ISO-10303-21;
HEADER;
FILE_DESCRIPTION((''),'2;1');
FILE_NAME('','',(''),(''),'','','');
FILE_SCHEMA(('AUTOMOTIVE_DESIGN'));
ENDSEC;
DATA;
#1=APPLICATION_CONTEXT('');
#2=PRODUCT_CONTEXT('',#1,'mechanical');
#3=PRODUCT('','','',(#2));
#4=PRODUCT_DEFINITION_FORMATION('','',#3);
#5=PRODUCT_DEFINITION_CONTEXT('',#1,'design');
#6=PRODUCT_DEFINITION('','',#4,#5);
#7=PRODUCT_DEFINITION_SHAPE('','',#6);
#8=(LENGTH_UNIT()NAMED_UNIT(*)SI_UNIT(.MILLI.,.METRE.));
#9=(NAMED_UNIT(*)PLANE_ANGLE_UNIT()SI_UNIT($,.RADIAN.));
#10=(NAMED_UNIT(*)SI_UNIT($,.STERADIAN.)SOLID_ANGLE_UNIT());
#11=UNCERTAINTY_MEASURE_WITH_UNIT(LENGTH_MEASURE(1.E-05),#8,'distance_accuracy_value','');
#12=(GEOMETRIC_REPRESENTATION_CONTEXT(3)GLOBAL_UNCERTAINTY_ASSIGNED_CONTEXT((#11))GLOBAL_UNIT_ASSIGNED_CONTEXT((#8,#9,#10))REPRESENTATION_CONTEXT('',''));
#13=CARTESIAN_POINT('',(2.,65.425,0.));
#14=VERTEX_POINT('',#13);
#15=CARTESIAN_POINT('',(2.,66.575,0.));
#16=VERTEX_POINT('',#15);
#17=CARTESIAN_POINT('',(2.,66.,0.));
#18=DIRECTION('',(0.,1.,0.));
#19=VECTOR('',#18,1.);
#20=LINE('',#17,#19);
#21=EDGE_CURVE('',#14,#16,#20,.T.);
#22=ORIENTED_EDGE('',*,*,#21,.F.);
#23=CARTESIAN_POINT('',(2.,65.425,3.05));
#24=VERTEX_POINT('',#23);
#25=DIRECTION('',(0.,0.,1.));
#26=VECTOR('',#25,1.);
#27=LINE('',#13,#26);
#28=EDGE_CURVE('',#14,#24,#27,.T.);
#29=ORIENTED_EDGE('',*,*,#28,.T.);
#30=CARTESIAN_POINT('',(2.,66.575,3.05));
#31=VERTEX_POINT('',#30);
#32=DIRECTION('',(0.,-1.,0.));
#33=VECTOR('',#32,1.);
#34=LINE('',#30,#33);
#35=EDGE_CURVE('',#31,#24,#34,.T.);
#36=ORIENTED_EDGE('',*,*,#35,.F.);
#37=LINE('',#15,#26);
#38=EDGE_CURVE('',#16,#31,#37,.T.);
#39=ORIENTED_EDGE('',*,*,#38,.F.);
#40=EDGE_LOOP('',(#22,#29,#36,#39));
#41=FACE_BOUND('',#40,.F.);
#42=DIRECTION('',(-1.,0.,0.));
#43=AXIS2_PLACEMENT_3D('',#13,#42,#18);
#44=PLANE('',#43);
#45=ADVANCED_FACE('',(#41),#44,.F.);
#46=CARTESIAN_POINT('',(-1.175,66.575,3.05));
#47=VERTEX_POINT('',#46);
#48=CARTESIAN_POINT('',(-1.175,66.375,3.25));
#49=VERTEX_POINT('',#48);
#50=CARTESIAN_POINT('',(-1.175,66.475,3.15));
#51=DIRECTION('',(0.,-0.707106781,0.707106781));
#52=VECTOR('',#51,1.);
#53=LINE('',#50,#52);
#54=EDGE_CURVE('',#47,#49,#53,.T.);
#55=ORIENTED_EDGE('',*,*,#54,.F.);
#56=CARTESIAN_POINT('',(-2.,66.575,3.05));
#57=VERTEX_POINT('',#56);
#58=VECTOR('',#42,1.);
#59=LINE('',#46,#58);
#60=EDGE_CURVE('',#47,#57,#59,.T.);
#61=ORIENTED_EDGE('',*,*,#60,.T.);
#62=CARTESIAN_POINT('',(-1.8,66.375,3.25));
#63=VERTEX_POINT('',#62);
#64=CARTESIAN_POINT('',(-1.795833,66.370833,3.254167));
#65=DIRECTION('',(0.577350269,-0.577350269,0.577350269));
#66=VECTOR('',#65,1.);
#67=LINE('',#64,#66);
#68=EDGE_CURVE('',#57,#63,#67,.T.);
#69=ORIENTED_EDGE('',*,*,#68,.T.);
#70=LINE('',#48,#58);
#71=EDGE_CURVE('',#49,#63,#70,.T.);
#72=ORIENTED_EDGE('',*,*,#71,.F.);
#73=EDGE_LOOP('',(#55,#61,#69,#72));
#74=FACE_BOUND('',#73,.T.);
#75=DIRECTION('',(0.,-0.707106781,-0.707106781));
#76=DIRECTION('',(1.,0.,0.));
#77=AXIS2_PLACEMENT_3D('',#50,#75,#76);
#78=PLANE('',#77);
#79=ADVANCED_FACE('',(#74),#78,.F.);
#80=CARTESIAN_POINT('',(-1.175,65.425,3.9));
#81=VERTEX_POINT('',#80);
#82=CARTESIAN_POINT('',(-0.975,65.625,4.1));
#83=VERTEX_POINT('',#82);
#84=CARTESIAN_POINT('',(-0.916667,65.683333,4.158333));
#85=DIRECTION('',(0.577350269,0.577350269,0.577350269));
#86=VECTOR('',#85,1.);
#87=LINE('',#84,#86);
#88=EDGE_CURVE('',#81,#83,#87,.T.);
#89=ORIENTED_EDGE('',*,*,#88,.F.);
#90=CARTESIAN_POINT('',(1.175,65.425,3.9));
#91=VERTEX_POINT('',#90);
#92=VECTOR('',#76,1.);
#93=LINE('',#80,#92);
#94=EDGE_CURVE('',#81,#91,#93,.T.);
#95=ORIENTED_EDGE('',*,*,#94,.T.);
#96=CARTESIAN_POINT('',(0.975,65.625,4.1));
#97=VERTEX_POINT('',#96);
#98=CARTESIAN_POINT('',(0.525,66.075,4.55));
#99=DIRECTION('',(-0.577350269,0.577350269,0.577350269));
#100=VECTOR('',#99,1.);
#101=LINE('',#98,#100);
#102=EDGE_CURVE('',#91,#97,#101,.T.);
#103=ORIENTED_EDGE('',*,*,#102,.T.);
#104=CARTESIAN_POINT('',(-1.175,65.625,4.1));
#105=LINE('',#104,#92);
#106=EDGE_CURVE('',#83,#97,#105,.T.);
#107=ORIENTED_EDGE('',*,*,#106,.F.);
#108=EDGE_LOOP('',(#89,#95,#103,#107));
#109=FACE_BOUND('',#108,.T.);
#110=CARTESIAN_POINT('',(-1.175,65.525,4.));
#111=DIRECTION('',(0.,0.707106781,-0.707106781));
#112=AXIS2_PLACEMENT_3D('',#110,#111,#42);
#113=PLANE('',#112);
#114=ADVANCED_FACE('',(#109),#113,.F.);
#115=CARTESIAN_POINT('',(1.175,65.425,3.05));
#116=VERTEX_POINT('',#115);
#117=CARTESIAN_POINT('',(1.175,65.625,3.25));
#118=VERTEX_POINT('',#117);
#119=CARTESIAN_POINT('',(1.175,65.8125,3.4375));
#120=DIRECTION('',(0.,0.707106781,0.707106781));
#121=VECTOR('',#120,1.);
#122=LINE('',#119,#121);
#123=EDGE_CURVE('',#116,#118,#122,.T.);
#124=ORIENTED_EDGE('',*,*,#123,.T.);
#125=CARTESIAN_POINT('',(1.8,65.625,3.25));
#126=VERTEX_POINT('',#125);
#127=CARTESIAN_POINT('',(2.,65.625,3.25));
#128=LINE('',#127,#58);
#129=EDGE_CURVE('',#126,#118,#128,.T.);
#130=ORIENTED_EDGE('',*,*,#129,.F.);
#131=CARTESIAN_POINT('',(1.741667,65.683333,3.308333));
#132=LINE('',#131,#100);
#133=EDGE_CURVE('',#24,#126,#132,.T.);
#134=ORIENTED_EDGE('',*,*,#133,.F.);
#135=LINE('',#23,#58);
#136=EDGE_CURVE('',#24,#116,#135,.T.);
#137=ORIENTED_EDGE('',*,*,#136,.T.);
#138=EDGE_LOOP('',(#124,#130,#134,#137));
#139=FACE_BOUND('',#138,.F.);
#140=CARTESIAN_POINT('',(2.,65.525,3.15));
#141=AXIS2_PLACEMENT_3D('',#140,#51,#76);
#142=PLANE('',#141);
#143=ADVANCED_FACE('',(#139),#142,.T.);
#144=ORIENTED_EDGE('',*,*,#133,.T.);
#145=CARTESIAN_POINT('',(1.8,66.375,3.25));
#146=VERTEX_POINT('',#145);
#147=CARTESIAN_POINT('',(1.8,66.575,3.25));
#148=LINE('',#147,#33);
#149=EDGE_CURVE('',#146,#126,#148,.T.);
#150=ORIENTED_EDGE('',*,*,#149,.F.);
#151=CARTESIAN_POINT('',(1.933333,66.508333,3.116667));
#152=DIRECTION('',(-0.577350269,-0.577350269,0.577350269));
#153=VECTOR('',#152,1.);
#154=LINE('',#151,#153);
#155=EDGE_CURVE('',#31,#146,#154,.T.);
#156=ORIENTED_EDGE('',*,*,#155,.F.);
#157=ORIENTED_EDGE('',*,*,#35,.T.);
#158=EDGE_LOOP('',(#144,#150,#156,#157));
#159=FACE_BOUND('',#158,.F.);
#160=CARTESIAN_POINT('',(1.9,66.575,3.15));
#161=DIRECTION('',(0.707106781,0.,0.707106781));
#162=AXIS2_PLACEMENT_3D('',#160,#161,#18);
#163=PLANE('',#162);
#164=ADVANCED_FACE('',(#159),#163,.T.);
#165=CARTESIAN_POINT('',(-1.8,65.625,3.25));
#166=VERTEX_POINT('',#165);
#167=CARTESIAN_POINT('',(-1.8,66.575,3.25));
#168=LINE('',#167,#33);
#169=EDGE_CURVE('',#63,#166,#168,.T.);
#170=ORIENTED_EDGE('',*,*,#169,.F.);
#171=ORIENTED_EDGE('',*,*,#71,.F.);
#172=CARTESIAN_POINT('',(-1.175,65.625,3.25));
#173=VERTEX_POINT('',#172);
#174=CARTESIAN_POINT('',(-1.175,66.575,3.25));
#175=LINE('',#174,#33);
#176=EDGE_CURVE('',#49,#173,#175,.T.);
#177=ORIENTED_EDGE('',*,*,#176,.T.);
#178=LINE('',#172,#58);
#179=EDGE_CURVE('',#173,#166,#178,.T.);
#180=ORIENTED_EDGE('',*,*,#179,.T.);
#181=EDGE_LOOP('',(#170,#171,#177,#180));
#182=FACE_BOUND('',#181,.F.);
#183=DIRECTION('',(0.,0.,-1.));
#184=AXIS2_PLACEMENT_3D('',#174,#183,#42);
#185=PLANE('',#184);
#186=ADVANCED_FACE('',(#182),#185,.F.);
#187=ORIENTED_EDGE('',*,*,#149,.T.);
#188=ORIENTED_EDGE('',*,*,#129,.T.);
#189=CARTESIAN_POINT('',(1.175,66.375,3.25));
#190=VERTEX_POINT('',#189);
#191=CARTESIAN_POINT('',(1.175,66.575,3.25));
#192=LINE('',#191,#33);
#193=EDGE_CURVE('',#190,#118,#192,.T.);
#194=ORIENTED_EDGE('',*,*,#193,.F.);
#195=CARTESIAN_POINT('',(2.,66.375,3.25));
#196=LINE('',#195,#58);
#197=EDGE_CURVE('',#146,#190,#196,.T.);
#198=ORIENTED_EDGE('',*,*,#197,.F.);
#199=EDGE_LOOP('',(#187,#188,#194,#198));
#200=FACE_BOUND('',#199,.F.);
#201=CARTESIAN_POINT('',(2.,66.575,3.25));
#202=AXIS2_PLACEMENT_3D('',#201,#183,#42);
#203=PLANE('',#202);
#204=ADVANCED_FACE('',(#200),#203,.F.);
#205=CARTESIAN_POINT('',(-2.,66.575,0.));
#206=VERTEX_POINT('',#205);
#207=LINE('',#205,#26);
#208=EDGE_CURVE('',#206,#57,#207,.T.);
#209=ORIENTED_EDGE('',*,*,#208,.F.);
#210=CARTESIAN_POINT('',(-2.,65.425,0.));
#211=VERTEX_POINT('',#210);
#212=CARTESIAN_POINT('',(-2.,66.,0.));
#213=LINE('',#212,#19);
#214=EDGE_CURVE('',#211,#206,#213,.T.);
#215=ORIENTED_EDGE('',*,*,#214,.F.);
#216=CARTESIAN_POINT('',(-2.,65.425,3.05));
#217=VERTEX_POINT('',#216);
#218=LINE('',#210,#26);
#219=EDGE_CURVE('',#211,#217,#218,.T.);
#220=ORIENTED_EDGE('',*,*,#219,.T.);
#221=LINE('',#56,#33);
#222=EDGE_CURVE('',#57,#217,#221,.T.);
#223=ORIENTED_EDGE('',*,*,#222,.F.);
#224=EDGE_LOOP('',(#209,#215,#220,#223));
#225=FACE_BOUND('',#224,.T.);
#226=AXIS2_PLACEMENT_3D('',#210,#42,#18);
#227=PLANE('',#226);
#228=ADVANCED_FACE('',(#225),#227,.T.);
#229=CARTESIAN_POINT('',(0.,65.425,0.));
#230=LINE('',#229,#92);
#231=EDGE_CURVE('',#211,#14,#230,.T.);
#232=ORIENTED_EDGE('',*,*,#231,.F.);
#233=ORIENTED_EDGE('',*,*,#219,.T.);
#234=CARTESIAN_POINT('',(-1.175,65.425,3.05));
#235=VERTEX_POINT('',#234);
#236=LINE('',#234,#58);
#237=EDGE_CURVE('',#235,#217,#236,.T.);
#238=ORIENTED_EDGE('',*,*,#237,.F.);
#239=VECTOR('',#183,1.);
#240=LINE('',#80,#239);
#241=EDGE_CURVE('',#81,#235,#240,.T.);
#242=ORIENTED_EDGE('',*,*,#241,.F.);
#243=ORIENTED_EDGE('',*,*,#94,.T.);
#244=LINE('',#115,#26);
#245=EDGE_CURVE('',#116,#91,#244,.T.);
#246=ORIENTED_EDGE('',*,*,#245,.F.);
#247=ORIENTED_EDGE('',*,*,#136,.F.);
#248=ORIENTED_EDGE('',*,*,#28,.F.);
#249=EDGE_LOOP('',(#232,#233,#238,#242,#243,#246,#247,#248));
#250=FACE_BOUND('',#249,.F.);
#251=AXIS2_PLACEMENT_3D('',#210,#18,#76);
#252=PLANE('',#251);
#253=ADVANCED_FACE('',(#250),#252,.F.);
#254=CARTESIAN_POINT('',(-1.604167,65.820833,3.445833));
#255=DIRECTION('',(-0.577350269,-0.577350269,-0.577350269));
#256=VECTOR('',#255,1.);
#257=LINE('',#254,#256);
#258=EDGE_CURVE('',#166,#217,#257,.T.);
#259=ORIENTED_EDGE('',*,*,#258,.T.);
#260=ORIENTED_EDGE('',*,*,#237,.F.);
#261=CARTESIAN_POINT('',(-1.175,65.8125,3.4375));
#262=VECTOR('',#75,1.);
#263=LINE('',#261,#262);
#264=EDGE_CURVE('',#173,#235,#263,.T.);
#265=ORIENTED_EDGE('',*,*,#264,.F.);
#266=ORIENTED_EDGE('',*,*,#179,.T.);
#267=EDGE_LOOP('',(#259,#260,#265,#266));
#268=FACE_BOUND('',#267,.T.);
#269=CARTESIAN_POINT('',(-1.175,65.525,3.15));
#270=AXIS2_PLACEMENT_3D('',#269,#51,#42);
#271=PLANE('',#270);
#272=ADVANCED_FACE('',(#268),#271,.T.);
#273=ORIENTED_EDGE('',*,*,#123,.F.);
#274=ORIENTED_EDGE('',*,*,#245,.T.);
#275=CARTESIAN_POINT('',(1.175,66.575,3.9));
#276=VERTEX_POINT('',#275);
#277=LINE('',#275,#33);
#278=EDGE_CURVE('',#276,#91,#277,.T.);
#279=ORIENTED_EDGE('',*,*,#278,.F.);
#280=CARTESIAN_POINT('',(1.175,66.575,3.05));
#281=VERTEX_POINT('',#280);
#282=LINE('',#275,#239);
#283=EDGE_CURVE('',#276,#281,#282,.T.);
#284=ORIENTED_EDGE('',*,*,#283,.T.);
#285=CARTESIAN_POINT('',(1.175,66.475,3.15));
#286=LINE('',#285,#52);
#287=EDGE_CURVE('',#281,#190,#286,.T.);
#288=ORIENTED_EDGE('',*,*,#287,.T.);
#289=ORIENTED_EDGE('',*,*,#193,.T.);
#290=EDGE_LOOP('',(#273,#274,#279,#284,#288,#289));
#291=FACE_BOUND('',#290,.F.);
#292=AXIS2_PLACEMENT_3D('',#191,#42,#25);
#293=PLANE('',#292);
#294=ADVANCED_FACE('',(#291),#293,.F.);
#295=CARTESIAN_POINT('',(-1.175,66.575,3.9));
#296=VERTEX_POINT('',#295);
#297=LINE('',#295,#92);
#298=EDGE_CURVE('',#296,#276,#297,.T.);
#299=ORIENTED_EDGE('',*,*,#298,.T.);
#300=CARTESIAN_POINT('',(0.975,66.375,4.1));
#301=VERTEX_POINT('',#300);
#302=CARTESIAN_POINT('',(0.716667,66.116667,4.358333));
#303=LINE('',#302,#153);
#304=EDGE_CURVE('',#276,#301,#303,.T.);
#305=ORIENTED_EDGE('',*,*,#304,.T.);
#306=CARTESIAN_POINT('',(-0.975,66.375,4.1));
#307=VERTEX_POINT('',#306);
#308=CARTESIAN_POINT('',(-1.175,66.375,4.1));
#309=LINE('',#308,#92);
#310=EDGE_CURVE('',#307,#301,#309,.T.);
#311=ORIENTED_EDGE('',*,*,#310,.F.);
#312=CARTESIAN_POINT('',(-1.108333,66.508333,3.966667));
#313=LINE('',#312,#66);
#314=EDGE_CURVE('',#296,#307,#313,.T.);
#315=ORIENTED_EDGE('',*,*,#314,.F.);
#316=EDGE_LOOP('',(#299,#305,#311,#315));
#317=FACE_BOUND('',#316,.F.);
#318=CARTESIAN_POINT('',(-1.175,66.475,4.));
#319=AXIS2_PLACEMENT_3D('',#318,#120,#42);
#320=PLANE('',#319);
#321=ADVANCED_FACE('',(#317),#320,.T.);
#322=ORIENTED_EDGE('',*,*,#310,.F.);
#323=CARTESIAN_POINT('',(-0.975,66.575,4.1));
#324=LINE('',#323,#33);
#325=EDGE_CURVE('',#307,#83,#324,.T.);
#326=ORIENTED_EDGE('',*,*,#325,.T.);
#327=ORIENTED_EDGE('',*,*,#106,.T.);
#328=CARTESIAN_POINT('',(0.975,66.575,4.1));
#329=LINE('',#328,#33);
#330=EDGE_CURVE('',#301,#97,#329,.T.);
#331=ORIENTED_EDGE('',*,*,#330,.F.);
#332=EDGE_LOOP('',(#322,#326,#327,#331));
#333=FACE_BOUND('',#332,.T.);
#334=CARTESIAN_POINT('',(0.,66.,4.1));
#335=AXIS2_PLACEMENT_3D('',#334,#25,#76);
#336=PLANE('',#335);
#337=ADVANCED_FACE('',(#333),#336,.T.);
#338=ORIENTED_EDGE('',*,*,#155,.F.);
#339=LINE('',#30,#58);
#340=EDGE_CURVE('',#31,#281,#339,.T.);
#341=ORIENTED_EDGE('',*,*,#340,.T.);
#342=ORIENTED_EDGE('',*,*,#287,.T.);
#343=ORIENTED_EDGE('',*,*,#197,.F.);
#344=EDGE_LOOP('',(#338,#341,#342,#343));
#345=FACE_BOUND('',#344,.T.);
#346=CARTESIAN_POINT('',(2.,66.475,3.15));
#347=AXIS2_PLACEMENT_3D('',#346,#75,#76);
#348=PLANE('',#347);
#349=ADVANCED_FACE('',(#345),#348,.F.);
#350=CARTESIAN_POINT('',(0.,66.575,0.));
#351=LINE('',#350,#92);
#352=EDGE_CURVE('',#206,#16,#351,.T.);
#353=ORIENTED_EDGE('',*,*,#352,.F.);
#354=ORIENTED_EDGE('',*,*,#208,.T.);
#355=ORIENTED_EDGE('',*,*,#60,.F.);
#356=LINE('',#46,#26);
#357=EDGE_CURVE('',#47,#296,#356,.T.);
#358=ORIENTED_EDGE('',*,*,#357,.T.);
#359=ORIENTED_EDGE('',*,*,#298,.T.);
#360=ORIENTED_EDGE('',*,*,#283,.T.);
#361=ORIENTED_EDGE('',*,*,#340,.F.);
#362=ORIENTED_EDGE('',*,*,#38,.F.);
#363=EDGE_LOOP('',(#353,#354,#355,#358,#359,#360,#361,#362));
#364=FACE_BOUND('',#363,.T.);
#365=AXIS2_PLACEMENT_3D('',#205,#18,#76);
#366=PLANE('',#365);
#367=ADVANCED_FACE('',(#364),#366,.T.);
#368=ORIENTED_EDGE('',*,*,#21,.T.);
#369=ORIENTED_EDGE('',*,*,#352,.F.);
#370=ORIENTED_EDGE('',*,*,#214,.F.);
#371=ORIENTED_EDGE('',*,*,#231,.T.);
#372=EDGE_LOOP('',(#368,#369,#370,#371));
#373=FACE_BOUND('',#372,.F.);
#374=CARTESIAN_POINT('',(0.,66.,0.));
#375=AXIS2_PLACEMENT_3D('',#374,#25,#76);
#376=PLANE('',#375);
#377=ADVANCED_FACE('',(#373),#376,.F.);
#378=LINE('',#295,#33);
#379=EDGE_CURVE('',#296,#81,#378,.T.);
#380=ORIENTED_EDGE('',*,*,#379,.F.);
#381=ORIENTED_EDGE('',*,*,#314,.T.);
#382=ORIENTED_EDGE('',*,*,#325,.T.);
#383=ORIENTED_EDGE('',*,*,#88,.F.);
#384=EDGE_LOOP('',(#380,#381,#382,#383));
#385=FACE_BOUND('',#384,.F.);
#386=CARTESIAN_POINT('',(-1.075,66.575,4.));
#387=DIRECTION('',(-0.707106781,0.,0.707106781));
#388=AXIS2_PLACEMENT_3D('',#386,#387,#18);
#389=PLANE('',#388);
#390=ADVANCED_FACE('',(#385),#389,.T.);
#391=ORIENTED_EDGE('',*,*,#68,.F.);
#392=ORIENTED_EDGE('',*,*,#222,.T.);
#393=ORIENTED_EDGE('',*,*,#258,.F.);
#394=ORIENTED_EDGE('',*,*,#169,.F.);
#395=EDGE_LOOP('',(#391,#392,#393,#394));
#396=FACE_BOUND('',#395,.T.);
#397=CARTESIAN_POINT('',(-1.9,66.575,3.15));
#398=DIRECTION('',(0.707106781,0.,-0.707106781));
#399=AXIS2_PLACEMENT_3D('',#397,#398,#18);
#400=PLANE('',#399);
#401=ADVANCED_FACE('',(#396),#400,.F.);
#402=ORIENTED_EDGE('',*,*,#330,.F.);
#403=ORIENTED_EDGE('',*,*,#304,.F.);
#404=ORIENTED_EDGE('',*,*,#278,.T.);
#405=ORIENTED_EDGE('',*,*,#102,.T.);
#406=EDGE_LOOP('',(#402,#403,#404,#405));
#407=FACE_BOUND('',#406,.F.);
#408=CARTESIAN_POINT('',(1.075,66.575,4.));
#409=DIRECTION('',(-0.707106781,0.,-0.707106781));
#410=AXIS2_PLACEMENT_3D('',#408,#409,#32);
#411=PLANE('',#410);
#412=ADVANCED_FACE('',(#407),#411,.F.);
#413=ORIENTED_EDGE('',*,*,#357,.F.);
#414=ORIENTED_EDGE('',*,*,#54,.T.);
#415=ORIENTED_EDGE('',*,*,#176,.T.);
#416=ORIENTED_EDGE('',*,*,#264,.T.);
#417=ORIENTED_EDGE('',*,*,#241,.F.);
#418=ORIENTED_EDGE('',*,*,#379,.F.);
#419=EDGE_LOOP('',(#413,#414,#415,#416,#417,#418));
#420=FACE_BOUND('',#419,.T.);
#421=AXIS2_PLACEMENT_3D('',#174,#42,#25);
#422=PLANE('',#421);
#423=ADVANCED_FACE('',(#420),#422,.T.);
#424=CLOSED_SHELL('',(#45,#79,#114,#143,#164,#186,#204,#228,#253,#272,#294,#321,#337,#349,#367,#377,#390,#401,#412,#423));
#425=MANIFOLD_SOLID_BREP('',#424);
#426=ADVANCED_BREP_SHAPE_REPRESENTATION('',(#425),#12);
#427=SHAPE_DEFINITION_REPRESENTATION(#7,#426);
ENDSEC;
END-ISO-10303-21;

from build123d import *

# Parameters (mm, degrees)
SKETCH008_W     = 4
SKETCH008_H     = 1.15
PAD005_DEPTH    = 4.1
SKETCH009_W     = 0.825
SKETCH009_H     = 0.85
POCKET002_DEPTH = 5
CHAMFER005_SIZE = 0.2


with BuildPart() as part:
    # Sketch008 → Pad005 (new body)
    with BuildSketch(Plane.XY):
        Rectangle(SKETCH008_W, SKETCH008_H)
    extrude(amount=PAD005_DEPTH)

    # Sketch009 (on Face1 of Pad005) → Pocket002 (cut)
    with BuildSketch(Plane(origin=(0, 0.575, 0), x_dir=(-1, 0, 0), z_dir=(0, 1, 0))):
        with Locations((-1.5875, 3.675)):
            Rectangle(SKETCH009_W, SKETCH009_H)
        with Locations((1.5875, 3.675)):
            Rectangle(SKETCH009_W, SKETCH009_H)
    extrude(amount=-POCKET002_DEPTH, mode=Mode.SUBTRACT)

    # Chamfer005
    chamfer005_edges = [part.edges().sort_by_distance(p)[0] for p in [
        (0, 0.575, 4.1),
        (0, -0.575, 4.1),
        (1.5875, 0.575, 3.25),
        (-1.5875, 0.575, 3.25),
        (-1.5875, -0.575, 3.25),
        (1.5875, -0.575, 3.25),
        (2, 0, 3.25),
        (-2, 0, 3.25),
        (1.175, 0, 4.1),
        (-1.175, 0, 4.1),
    ]]
    chamfer(chamfer005_edges, length=CHAMFER005_SIZE)


with BuildPart() as part_1:
    # Body045 placement: moved
    add(part.part.moved(Location((0, 66, 0))))


solid = part_1.part
